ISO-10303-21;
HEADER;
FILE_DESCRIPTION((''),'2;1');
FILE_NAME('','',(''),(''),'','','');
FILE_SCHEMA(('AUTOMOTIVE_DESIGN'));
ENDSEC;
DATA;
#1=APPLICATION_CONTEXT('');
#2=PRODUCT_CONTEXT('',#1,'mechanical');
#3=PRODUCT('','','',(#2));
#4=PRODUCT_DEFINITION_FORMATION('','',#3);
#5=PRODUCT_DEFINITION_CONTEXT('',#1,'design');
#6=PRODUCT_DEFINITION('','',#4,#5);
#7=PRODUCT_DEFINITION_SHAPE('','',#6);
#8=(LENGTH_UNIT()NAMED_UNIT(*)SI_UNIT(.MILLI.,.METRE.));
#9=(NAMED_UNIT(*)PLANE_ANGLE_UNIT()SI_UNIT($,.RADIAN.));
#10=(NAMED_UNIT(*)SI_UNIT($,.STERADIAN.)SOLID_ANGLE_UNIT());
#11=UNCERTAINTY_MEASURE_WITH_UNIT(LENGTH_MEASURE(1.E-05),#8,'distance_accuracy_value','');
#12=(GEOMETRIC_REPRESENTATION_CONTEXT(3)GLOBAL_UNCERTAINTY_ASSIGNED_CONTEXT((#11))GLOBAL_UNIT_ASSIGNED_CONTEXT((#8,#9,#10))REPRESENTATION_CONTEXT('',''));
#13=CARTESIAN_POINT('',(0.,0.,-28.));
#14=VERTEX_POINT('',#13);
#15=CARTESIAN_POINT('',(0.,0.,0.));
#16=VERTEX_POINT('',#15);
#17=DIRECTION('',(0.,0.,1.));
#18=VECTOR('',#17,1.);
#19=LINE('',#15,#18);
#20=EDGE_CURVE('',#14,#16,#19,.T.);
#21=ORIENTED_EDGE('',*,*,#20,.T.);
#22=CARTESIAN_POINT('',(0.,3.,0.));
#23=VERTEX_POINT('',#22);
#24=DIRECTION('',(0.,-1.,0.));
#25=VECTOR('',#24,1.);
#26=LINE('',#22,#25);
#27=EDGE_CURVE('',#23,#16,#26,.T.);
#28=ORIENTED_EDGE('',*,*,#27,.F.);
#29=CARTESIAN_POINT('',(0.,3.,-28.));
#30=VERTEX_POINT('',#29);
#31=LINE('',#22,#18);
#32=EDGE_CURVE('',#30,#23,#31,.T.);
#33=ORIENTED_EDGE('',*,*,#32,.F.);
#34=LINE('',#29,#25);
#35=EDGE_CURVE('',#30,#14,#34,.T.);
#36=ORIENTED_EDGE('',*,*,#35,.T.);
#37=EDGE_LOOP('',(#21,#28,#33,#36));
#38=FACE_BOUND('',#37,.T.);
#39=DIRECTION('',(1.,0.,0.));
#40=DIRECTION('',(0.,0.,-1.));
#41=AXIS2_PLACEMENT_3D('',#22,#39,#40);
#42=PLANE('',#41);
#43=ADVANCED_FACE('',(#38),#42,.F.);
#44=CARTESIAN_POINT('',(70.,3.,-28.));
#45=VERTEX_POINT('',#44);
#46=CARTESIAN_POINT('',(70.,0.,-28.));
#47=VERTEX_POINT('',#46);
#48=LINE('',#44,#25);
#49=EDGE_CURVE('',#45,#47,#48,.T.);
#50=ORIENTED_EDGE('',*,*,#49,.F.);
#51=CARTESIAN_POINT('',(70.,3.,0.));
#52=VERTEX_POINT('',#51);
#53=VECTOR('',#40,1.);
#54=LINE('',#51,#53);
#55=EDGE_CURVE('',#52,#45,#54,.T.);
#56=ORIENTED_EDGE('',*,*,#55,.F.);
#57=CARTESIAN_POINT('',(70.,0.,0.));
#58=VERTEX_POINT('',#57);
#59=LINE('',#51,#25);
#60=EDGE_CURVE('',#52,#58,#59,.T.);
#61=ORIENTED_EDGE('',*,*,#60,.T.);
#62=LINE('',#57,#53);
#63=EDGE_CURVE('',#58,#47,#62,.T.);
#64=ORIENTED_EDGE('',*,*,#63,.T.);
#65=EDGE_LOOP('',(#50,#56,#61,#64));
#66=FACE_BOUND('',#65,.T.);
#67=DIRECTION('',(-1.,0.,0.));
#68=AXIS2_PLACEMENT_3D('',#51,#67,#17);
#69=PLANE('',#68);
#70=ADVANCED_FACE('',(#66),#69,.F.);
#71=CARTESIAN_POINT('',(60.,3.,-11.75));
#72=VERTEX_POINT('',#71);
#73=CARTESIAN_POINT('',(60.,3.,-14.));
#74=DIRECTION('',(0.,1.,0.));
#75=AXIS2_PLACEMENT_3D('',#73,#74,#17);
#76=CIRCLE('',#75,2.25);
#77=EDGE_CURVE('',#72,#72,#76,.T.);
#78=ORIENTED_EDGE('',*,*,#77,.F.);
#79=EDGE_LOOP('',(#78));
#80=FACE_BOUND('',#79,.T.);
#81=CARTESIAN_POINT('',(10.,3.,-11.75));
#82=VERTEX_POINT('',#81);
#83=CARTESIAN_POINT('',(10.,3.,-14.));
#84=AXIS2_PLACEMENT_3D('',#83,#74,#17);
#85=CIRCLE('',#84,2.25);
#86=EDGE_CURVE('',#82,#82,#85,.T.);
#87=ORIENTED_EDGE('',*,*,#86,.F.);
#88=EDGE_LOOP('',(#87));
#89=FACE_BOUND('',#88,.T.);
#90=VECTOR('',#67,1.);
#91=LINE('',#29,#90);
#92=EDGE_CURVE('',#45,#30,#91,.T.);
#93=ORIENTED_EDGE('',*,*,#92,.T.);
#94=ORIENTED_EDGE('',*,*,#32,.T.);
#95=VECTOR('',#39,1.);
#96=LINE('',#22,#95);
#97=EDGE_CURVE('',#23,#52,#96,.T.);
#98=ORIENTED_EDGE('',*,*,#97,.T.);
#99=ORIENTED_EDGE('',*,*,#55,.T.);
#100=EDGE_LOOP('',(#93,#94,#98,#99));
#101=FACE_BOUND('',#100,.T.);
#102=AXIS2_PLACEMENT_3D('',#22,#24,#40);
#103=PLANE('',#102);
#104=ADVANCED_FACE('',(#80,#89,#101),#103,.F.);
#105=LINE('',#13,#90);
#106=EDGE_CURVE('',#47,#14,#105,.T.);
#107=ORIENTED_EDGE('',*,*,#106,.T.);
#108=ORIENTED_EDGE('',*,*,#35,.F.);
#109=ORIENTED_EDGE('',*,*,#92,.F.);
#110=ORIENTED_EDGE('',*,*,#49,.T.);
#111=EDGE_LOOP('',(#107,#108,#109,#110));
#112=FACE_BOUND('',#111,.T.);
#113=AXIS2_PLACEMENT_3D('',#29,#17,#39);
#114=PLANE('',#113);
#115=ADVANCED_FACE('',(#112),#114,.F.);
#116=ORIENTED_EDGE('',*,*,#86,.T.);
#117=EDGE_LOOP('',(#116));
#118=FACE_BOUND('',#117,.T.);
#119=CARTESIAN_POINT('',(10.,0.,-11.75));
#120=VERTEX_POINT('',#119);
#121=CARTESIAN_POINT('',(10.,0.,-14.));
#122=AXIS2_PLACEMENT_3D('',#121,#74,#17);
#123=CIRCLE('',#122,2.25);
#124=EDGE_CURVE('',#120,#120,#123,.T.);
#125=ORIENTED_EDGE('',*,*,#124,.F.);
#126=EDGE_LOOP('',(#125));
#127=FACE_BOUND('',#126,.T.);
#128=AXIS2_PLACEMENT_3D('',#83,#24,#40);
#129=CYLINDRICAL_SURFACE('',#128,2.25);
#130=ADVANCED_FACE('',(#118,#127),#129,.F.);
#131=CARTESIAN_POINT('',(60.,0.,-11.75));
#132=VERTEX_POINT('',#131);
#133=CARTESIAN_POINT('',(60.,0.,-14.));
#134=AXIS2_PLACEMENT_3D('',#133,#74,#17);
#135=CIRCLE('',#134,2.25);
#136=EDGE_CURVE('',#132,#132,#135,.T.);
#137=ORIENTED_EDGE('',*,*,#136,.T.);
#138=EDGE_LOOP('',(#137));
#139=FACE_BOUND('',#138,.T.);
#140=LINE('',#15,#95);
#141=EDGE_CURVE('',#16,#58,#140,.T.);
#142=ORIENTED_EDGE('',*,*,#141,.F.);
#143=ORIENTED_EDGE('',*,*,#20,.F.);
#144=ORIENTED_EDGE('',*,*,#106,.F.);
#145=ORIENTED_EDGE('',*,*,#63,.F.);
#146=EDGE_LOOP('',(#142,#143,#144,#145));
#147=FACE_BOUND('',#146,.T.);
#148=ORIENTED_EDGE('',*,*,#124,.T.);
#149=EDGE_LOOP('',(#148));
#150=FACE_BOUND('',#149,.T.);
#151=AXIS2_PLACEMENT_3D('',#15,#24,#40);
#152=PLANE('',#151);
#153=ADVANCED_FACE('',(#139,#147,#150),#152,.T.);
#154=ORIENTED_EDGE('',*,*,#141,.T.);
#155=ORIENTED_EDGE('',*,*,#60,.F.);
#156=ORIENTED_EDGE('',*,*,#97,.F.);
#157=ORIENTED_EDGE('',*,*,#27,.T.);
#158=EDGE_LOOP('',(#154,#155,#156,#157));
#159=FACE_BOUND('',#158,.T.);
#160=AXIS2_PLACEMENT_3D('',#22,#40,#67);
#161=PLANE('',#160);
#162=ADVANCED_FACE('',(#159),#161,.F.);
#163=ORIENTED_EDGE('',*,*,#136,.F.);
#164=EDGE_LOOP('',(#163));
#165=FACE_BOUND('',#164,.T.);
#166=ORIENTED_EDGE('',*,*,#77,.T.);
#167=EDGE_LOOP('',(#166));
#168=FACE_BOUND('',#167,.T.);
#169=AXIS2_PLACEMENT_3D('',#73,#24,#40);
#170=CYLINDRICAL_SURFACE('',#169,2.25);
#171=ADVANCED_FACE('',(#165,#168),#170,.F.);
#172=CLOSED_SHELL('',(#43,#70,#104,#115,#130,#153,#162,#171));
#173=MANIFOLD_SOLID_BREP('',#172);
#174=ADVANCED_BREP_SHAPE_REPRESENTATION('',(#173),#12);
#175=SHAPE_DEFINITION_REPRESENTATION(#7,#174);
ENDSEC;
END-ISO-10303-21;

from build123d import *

# Parameters (mm, degrees)
SKETCH1_W           = 70
SKETCH1_H           = 28
SKETCH1_R           = 2.25
BOSS_EXTRUDE1_DEPTH = 3


with BuildPart() as part:
    # Sketch1 → Boss-Extrude1 (new body)
    with BuildSketch(Plane(origin=(0, 0, 0), x_dir=(1, 0, 0), z_dir=(0, 1, 0))):
        with Locations((35, 14)):
            Rectangle(SKETCH1_W, SKETCH1_H)
        with Locations((10, 14)):
            Circle(SKETCH1_R, mode=Mode.SUBTRACT)
        with Locations((60, 14)):
            Circle(SKETCH1_R, mode=Mode.SUBTRACT)
    extrude(amount=BOSS_EXTRUDE1_DEPTH)


solid = part.part
